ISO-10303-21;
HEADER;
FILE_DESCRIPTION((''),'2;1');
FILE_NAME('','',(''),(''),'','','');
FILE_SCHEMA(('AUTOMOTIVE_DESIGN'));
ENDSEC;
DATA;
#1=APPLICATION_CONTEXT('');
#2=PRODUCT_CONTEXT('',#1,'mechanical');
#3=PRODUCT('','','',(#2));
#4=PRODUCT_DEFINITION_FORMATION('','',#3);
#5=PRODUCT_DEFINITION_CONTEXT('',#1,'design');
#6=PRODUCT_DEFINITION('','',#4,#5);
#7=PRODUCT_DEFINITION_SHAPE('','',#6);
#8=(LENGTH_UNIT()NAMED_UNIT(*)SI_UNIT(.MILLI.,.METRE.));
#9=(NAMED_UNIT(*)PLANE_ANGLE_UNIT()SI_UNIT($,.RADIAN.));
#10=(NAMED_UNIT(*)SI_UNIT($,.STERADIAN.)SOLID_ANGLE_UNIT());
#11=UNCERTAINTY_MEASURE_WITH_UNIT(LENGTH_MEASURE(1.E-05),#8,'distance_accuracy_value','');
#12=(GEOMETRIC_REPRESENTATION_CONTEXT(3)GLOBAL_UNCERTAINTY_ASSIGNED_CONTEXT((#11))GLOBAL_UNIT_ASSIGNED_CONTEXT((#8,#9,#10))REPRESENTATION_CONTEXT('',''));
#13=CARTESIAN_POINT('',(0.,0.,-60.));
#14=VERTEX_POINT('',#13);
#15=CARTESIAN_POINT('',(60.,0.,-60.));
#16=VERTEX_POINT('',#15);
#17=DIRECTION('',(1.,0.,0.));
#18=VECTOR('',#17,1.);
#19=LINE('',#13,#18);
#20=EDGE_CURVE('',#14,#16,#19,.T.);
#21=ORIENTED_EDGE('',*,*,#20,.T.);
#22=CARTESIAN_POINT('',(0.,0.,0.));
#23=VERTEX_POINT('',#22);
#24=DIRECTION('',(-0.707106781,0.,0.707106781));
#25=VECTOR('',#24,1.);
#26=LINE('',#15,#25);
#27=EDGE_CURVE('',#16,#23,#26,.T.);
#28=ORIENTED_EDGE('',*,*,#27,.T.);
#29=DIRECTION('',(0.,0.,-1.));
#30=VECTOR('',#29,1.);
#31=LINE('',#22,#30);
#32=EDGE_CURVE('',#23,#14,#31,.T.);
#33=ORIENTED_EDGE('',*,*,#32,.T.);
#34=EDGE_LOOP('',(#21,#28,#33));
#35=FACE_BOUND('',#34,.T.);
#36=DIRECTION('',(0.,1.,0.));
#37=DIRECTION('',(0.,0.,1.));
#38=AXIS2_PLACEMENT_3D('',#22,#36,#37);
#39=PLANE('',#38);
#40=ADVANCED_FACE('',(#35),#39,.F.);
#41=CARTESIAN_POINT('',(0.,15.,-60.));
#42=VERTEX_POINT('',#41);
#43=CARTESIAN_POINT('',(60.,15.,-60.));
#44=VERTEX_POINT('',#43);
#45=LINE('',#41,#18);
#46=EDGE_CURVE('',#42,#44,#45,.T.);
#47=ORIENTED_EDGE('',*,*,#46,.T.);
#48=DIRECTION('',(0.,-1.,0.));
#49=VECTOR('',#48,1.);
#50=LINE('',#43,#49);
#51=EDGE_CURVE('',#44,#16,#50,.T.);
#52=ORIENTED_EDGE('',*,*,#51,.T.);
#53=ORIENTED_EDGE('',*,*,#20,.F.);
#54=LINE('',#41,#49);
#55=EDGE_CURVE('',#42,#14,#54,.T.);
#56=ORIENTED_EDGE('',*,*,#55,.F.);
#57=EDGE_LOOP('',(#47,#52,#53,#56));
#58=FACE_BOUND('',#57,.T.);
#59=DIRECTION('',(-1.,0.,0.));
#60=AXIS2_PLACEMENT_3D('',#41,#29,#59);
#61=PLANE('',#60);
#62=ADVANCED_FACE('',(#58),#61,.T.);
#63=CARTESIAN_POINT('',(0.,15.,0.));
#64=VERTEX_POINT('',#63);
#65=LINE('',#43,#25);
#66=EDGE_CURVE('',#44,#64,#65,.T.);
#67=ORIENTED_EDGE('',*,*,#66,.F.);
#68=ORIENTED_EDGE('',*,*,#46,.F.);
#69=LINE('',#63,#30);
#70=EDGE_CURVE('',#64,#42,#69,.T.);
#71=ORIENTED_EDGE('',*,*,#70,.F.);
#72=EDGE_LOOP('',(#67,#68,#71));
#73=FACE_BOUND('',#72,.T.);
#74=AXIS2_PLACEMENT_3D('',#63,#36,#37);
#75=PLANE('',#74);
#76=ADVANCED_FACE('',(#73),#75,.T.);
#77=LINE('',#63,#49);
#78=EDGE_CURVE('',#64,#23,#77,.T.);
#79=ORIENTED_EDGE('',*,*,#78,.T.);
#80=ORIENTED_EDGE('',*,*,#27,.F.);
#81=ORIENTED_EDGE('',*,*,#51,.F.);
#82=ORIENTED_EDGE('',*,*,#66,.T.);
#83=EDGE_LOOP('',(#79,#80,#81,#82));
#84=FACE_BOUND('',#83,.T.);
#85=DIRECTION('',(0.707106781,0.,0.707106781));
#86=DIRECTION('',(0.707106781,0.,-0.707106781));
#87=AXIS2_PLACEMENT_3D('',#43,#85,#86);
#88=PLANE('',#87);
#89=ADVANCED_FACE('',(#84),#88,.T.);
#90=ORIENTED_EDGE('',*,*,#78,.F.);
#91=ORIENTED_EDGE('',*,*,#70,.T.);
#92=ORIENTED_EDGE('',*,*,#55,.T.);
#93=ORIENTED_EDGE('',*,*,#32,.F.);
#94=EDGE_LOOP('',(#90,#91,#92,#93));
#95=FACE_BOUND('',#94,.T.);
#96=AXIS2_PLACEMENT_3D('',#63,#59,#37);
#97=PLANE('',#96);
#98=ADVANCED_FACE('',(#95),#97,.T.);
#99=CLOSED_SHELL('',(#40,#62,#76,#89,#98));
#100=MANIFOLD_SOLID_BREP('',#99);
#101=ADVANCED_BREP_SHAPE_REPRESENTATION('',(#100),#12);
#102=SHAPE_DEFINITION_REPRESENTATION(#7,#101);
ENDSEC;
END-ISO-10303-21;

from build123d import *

# Parameters (mm, degrees)
BOSS_EXTRUDE1_DEPTH = 15


with BuildPart() as part:
    # Sketch1 → Boss-Extrude1 (new body)
    with BuildSketch(Plane(origin=(0, 0, 0), x_dir=(1, 0, 0), z_dir=(0, 1, 0))):
        Polygon((0, 0), (0, 60), (60, 60), align=None)
    extrude(amount=BOSS_EXTRUDE1_DEPTH)


solid = part.part
